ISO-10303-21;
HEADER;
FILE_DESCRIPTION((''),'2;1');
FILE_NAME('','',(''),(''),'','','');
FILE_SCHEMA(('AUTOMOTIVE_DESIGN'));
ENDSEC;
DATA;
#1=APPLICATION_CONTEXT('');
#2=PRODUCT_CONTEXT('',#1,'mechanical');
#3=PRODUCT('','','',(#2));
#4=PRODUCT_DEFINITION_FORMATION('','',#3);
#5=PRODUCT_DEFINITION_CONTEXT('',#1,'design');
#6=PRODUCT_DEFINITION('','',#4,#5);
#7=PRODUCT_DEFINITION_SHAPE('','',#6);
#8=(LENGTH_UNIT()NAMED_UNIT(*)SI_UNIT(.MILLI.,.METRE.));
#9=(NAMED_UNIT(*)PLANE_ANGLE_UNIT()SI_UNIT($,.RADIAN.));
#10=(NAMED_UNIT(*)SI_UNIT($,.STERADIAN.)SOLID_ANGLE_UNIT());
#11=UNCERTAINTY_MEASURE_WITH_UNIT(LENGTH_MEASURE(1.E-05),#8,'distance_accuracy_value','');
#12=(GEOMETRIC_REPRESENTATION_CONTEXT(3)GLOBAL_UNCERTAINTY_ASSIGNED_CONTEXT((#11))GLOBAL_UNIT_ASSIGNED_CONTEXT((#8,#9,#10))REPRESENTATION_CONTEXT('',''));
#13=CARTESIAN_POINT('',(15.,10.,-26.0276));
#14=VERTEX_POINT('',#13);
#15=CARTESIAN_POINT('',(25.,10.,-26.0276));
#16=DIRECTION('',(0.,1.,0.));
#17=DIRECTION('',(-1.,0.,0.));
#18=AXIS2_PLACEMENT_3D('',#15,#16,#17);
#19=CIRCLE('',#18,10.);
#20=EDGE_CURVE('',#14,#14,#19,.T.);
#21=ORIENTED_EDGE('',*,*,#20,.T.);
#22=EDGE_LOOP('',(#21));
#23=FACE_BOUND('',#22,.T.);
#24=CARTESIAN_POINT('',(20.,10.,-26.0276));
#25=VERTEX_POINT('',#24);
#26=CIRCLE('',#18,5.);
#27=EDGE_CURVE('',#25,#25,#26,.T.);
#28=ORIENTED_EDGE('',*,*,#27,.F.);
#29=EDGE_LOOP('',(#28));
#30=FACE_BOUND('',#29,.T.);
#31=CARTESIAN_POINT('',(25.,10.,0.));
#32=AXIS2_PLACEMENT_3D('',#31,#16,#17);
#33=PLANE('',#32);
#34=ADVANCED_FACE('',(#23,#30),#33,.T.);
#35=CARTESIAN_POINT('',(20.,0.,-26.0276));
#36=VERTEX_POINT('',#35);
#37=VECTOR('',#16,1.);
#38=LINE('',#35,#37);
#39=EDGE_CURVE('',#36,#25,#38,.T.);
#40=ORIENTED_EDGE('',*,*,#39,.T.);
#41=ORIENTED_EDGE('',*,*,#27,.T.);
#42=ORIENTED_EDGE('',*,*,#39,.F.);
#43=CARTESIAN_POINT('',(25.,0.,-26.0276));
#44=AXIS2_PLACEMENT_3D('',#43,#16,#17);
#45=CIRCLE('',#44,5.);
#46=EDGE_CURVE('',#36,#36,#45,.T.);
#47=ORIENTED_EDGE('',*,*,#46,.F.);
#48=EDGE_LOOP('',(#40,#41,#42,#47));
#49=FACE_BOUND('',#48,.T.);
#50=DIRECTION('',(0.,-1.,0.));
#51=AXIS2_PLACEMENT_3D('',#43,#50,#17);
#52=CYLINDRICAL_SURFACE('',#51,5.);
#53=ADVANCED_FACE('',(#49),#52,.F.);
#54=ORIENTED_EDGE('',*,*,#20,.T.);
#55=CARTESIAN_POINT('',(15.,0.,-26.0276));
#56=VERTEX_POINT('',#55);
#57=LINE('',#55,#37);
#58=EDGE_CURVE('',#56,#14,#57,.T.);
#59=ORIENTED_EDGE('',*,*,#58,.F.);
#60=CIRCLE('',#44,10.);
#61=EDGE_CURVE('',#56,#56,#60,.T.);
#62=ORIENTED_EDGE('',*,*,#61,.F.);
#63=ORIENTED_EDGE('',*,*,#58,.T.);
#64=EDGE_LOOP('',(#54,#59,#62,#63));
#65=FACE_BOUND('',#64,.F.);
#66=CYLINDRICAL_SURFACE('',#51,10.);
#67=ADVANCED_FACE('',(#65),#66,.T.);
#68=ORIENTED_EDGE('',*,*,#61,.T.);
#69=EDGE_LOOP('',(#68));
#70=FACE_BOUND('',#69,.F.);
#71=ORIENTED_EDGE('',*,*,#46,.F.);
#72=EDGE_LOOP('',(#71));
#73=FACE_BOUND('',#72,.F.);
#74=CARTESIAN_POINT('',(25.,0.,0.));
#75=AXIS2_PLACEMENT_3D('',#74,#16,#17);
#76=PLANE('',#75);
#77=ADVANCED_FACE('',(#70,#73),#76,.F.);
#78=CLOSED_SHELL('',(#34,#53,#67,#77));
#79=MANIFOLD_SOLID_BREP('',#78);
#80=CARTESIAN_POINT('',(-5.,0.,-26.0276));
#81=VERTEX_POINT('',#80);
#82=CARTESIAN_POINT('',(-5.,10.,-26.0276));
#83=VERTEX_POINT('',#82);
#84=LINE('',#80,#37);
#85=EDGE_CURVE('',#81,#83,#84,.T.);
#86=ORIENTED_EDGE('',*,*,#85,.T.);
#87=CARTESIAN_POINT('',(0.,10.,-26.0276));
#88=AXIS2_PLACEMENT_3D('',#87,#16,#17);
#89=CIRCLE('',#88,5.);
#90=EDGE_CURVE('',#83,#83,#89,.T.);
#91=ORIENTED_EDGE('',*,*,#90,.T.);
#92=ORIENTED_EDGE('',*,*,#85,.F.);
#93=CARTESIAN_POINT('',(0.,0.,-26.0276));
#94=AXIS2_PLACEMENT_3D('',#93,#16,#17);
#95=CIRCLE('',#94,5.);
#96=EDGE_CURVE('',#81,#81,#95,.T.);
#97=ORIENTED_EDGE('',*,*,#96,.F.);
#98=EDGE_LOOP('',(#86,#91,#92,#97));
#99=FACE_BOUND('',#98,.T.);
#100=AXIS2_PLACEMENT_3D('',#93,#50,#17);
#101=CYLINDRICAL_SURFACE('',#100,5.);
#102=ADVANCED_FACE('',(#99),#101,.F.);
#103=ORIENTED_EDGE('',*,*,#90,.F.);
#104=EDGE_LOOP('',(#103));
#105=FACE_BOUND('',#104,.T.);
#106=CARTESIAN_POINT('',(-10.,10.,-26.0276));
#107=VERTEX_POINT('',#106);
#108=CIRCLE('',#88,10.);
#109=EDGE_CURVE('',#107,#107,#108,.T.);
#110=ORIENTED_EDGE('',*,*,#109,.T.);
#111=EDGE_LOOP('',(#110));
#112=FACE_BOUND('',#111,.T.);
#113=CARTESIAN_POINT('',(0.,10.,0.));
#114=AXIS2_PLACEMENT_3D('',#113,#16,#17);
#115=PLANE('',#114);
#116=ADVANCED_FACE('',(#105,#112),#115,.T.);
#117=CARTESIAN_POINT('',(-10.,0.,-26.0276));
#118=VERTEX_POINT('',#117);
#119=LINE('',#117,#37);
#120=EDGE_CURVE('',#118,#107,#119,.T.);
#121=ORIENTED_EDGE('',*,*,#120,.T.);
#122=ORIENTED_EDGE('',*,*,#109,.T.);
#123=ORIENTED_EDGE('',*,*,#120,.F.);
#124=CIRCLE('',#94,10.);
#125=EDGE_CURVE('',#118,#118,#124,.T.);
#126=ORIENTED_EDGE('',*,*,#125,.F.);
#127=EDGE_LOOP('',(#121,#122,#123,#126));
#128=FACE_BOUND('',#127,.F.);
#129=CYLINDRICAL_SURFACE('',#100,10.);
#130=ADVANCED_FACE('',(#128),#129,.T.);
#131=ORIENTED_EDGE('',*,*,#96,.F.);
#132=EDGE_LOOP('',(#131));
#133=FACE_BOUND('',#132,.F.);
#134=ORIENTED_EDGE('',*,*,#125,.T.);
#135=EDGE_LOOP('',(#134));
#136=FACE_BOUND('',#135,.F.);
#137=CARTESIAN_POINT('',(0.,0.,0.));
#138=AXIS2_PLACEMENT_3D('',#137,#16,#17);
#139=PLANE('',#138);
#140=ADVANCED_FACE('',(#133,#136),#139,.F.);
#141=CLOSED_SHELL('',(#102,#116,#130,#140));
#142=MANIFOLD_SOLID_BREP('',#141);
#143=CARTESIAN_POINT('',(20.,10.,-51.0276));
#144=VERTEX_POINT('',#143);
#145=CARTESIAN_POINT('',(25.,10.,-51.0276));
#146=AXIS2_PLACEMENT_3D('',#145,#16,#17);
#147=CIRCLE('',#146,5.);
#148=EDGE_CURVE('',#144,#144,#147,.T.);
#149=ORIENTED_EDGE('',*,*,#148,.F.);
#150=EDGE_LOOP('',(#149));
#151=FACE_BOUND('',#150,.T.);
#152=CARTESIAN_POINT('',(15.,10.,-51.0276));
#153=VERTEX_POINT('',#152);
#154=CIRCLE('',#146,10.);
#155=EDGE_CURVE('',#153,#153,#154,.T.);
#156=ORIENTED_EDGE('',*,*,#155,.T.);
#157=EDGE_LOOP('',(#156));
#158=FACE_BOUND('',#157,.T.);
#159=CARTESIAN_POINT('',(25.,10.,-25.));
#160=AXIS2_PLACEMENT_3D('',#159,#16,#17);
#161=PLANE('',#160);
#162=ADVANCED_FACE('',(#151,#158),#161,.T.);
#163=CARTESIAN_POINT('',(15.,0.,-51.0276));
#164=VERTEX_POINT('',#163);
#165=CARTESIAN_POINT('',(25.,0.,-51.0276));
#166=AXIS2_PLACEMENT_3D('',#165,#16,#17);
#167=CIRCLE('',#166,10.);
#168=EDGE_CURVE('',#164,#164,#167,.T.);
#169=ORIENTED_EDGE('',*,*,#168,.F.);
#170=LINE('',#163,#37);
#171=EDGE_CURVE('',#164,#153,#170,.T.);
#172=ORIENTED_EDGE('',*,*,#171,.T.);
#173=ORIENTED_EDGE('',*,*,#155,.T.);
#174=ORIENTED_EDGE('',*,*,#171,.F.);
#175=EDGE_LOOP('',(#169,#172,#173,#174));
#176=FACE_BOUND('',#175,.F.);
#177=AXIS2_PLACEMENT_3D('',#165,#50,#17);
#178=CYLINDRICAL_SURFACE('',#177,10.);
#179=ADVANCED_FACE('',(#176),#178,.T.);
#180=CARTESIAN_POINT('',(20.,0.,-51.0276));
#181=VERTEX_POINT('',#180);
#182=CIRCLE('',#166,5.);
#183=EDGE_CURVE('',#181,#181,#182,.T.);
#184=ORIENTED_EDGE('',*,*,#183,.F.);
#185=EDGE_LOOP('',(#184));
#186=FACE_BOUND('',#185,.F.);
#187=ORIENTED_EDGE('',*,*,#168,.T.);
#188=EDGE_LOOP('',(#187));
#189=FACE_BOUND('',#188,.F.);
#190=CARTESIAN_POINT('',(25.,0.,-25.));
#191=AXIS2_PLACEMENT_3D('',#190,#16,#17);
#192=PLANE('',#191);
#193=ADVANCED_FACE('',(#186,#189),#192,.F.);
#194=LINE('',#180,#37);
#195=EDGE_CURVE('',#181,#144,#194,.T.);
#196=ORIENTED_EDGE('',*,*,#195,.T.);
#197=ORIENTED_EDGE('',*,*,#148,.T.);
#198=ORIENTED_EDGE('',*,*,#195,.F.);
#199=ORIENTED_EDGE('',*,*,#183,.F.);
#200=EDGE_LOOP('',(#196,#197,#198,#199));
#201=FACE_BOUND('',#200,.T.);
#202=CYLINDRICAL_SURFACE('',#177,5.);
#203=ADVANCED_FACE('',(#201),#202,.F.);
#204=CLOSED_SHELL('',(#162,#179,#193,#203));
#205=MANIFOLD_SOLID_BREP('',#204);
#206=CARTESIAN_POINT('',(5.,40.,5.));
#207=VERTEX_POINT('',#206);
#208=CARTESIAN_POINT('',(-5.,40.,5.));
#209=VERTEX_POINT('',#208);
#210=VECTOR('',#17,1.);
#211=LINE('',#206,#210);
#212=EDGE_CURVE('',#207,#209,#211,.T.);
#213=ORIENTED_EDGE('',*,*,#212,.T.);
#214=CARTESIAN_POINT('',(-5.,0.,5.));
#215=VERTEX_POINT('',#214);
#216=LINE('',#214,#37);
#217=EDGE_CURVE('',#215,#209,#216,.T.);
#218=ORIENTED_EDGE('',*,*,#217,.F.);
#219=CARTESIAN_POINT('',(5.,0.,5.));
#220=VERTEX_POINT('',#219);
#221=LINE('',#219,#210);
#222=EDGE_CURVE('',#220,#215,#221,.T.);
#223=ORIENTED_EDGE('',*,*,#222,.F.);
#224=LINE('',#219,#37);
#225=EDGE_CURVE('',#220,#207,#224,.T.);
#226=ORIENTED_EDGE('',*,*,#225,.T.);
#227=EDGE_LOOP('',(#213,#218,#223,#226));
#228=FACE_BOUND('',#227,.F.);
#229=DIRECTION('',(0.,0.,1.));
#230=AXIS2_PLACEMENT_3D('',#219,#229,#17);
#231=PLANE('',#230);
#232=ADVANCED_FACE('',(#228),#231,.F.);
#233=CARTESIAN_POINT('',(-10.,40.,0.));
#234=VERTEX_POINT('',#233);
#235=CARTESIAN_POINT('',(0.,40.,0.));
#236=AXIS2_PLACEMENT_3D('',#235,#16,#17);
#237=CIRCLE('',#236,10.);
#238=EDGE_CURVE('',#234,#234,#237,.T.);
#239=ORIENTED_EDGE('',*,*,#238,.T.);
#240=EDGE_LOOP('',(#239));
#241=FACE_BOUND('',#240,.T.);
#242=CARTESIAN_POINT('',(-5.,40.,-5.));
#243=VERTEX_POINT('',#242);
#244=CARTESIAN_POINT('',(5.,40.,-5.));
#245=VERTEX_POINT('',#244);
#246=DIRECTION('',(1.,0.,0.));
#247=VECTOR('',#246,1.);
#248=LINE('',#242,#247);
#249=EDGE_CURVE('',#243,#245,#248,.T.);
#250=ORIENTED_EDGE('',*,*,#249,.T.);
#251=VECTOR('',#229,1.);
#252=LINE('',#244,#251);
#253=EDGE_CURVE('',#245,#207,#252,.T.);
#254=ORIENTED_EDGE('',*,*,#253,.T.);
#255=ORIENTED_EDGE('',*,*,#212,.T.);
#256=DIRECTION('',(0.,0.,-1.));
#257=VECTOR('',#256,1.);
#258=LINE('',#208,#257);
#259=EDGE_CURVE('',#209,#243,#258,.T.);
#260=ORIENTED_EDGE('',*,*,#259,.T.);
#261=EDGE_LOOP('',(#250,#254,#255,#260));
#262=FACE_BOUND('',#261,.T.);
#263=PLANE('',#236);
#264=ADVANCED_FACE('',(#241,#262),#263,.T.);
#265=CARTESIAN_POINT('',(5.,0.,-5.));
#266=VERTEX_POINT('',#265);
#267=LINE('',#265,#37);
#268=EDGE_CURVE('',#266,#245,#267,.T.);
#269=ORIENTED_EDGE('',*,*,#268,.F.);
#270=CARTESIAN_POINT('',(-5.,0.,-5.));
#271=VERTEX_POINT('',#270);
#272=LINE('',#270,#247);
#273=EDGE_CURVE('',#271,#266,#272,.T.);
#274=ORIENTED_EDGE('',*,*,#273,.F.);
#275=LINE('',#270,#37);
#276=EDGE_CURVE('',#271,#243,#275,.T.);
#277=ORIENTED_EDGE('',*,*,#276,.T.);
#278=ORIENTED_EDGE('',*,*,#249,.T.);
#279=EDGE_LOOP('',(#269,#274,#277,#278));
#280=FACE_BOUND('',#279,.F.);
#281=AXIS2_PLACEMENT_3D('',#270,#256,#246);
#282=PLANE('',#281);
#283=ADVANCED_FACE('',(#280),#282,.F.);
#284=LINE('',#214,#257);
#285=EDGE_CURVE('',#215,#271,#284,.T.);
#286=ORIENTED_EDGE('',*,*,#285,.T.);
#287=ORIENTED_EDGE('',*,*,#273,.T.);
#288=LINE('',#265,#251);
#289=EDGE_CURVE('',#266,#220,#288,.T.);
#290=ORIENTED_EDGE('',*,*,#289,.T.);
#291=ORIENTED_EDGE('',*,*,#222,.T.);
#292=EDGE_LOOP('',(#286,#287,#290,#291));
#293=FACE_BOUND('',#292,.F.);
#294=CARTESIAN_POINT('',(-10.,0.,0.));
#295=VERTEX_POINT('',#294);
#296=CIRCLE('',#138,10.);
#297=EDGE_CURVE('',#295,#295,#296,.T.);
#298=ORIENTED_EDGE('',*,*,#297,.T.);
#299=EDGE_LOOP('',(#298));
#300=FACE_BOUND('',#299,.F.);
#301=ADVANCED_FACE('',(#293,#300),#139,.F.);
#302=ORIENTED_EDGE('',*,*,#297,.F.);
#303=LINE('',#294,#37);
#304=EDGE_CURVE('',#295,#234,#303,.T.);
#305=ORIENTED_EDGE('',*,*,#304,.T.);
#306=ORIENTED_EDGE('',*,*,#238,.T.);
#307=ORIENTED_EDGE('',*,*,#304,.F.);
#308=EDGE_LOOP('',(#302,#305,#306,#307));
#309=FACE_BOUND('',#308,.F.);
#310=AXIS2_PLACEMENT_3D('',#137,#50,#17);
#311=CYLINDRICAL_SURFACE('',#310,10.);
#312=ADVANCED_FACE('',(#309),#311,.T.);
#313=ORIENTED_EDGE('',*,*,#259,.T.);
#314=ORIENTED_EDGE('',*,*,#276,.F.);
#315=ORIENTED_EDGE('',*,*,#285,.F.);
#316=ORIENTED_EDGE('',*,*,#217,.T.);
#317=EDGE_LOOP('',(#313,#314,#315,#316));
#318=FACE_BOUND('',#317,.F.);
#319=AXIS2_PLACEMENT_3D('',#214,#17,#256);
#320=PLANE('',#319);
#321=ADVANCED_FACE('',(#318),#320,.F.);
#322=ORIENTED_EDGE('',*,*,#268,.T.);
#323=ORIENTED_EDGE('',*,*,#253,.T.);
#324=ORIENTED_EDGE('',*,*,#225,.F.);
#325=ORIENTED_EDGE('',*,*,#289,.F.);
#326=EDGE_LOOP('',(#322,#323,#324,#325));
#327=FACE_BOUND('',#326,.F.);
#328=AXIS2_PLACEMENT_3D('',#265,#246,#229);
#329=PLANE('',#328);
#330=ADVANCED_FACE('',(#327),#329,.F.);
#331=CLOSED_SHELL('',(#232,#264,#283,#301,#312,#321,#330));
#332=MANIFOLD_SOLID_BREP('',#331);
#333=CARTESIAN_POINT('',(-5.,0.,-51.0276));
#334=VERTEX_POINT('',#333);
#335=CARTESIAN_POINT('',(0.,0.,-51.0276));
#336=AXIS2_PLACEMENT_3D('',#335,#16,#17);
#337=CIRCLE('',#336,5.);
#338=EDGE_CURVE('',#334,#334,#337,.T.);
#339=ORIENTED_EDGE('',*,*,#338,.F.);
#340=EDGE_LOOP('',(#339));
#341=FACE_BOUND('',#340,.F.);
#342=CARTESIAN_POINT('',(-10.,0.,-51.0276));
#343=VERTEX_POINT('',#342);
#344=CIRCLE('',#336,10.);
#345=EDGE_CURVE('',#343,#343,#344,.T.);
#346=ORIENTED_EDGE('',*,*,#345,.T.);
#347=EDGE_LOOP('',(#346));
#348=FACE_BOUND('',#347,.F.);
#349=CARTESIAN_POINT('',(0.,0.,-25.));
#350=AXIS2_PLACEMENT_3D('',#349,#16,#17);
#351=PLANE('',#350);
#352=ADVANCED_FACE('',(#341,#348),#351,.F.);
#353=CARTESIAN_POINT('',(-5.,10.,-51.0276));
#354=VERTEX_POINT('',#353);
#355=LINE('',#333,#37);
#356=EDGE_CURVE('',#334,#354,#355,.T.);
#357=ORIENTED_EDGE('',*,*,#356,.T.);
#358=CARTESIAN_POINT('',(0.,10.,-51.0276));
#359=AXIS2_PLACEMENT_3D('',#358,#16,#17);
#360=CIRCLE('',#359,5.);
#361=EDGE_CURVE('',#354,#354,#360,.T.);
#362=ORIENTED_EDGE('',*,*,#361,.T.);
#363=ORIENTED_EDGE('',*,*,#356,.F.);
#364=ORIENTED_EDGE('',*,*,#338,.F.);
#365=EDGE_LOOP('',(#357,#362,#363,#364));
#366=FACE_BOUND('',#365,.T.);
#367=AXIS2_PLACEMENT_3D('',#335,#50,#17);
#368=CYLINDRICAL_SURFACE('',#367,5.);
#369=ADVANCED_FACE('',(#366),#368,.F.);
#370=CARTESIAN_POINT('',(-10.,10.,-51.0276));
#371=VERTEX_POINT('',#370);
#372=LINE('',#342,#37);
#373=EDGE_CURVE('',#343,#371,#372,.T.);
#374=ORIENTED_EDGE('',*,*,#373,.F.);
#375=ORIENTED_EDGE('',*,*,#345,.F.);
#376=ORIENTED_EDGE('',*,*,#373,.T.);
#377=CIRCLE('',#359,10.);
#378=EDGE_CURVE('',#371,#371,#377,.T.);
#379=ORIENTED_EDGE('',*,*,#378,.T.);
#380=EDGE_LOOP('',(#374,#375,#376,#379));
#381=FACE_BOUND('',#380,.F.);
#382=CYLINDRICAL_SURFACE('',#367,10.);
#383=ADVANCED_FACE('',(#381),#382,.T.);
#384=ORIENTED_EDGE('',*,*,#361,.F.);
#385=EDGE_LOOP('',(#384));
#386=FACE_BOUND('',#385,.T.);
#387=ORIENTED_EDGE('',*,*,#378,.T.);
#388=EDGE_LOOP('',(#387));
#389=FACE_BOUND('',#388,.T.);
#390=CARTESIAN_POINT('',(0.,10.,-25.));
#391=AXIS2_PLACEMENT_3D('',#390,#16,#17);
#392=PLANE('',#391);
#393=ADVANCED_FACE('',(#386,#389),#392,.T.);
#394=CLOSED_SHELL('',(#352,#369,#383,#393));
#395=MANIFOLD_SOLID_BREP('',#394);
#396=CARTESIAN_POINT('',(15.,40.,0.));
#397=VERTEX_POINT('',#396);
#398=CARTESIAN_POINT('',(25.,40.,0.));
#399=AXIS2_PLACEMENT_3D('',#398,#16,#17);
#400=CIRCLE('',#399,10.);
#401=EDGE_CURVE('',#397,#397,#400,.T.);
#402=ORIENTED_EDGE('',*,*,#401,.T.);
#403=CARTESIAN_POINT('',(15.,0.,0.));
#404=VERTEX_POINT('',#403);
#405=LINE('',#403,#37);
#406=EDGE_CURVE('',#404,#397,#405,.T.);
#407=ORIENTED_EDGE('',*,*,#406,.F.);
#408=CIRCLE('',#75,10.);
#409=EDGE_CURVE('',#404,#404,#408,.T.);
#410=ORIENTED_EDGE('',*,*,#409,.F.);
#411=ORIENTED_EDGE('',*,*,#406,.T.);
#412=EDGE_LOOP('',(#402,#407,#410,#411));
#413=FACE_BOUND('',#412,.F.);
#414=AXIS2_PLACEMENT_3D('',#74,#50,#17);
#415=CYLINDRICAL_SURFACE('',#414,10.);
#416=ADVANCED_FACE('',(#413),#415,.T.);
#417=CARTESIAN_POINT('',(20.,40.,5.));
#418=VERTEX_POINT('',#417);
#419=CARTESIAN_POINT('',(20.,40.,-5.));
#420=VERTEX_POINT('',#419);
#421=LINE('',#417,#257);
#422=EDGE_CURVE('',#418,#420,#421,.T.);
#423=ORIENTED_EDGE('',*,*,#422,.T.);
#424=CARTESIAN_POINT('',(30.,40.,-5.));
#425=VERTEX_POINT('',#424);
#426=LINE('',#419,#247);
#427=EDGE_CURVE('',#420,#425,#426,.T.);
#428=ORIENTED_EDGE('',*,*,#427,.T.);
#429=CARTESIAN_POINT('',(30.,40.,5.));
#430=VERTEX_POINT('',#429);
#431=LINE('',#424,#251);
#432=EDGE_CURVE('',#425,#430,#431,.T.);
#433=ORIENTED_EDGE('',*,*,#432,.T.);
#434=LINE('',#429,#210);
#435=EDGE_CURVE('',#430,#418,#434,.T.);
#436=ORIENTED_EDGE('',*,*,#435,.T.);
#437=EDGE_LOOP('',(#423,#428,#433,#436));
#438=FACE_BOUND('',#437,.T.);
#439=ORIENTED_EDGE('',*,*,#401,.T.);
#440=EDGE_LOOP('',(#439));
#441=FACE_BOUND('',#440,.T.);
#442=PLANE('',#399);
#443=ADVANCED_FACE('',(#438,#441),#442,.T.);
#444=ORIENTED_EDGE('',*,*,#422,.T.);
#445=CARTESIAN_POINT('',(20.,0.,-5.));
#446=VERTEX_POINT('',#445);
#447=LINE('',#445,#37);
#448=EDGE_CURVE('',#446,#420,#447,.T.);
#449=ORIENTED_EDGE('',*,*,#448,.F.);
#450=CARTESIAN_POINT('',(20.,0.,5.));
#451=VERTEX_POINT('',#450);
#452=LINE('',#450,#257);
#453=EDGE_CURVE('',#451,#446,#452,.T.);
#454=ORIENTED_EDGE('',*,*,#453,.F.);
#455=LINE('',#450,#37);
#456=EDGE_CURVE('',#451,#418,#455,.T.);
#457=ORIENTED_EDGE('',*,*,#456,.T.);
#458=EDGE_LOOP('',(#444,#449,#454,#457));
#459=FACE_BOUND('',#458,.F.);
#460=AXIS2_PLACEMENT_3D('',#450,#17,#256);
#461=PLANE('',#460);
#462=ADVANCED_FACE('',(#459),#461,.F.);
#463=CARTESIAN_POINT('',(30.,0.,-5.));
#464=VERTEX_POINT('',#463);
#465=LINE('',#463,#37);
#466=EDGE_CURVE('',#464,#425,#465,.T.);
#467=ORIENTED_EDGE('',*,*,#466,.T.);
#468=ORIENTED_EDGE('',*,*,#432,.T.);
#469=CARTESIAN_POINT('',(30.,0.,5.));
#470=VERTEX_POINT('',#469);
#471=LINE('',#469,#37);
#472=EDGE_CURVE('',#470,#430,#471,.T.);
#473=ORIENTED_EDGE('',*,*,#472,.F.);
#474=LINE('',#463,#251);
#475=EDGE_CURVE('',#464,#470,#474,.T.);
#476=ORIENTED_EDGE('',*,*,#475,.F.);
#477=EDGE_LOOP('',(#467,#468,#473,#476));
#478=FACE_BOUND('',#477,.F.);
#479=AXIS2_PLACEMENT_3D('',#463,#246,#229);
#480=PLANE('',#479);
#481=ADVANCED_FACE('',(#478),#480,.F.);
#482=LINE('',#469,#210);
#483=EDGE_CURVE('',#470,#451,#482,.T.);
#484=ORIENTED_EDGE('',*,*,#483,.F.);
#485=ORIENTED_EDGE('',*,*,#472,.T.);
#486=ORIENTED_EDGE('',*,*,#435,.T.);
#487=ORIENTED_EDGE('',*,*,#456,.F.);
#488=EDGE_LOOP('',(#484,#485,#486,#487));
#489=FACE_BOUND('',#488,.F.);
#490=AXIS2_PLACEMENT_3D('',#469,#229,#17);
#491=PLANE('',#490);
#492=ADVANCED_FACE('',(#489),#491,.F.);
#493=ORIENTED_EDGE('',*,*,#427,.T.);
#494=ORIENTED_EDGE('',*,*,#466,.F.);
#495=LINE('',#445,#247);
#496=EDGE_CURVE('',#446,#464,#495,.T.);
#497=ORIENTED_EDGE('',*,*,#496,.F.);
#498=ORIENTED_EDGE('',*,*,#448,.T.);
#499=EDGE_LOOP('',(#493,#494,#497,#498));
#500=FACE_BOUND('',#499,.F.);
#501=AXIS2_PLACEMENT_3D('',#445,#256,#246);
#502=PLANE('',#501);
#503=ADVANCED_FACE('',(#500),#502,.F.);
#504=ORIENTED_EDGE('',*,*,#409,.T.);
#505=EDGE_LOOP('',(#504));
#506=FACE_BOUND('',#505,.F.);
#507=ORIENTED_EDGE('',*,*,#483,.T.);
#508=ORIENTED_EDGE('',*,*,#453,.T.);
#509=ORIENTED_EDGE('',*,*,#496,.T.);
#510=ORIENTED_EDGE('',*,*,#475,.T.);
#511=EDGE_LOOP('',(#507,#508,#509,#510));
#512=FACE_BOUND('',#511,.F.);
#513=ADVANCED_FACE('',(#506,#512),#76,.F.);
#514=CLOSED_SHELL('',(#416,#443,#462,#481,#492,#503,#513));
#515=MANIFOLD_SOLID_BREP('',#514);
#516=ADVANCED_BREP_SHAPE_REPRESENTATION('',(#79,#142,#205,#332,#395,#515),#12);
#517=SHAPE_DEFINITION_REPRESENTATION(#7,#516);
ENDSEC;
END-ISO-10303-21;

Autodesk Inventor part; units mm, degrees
ref_plane "YZ Plane" through (0, 0, 0) normal (1, 0, 0) x (0, 1, 0)
ref_plane "XZ Plane" through (0, 0, 0) normal (0, 1, 0) x (-1, 0, 0)
ref_plane "XY Plane" through (0, 0, 0) normal (0, 0, 1) x (1, 0, 0)
sketch "草圖1" plane through (0, 0, 0) normal (0, 1, 0) x (-1, 0, 0)
  circle A0 centre (0, 0) radius 10
  line L0 (5, -5) -> (-5, -5)
  line L1 (-5, -5) -> (-5, 5)
  line L2 (-5, 5) -> (5, 5)
  line L3 (5, 5) -> (5, -5)
  line L4 (5, -5) -> (-5, 5) construction
  line L5 (-5, -5) -> (5, 5) construction
  dimension "d0" = 20
  dimension "d1" = 10
  dimension "d2" = 10
extrude "擠出1" add sketch "草圖1" along normal blind 40
pattern_linear "矩形陣列1" count 2 spacing 25 along (1, 0, 0) of "擠出1"
sketch "草圖2" plane through (0, 0, 0) normal (0, 1, 0) x (-1, 0, 0)
  circle A0 centre (0, -26.0276) radius 10
  circle A1 centre (0, -26.0276) radius 5
  point P0 (0, 0)
  dimension "d8" = 20
  dimension "d9" = 10
extrude "擠出2" add sketch "草圖2" along normal blind 10
pattern_linear "矩形陣列2" count 2 spacing 25 along (0, 0, -1) count 2 spacing 25 along (1, 0, 0) of "擠出2"
properties part number "print1030_2"
